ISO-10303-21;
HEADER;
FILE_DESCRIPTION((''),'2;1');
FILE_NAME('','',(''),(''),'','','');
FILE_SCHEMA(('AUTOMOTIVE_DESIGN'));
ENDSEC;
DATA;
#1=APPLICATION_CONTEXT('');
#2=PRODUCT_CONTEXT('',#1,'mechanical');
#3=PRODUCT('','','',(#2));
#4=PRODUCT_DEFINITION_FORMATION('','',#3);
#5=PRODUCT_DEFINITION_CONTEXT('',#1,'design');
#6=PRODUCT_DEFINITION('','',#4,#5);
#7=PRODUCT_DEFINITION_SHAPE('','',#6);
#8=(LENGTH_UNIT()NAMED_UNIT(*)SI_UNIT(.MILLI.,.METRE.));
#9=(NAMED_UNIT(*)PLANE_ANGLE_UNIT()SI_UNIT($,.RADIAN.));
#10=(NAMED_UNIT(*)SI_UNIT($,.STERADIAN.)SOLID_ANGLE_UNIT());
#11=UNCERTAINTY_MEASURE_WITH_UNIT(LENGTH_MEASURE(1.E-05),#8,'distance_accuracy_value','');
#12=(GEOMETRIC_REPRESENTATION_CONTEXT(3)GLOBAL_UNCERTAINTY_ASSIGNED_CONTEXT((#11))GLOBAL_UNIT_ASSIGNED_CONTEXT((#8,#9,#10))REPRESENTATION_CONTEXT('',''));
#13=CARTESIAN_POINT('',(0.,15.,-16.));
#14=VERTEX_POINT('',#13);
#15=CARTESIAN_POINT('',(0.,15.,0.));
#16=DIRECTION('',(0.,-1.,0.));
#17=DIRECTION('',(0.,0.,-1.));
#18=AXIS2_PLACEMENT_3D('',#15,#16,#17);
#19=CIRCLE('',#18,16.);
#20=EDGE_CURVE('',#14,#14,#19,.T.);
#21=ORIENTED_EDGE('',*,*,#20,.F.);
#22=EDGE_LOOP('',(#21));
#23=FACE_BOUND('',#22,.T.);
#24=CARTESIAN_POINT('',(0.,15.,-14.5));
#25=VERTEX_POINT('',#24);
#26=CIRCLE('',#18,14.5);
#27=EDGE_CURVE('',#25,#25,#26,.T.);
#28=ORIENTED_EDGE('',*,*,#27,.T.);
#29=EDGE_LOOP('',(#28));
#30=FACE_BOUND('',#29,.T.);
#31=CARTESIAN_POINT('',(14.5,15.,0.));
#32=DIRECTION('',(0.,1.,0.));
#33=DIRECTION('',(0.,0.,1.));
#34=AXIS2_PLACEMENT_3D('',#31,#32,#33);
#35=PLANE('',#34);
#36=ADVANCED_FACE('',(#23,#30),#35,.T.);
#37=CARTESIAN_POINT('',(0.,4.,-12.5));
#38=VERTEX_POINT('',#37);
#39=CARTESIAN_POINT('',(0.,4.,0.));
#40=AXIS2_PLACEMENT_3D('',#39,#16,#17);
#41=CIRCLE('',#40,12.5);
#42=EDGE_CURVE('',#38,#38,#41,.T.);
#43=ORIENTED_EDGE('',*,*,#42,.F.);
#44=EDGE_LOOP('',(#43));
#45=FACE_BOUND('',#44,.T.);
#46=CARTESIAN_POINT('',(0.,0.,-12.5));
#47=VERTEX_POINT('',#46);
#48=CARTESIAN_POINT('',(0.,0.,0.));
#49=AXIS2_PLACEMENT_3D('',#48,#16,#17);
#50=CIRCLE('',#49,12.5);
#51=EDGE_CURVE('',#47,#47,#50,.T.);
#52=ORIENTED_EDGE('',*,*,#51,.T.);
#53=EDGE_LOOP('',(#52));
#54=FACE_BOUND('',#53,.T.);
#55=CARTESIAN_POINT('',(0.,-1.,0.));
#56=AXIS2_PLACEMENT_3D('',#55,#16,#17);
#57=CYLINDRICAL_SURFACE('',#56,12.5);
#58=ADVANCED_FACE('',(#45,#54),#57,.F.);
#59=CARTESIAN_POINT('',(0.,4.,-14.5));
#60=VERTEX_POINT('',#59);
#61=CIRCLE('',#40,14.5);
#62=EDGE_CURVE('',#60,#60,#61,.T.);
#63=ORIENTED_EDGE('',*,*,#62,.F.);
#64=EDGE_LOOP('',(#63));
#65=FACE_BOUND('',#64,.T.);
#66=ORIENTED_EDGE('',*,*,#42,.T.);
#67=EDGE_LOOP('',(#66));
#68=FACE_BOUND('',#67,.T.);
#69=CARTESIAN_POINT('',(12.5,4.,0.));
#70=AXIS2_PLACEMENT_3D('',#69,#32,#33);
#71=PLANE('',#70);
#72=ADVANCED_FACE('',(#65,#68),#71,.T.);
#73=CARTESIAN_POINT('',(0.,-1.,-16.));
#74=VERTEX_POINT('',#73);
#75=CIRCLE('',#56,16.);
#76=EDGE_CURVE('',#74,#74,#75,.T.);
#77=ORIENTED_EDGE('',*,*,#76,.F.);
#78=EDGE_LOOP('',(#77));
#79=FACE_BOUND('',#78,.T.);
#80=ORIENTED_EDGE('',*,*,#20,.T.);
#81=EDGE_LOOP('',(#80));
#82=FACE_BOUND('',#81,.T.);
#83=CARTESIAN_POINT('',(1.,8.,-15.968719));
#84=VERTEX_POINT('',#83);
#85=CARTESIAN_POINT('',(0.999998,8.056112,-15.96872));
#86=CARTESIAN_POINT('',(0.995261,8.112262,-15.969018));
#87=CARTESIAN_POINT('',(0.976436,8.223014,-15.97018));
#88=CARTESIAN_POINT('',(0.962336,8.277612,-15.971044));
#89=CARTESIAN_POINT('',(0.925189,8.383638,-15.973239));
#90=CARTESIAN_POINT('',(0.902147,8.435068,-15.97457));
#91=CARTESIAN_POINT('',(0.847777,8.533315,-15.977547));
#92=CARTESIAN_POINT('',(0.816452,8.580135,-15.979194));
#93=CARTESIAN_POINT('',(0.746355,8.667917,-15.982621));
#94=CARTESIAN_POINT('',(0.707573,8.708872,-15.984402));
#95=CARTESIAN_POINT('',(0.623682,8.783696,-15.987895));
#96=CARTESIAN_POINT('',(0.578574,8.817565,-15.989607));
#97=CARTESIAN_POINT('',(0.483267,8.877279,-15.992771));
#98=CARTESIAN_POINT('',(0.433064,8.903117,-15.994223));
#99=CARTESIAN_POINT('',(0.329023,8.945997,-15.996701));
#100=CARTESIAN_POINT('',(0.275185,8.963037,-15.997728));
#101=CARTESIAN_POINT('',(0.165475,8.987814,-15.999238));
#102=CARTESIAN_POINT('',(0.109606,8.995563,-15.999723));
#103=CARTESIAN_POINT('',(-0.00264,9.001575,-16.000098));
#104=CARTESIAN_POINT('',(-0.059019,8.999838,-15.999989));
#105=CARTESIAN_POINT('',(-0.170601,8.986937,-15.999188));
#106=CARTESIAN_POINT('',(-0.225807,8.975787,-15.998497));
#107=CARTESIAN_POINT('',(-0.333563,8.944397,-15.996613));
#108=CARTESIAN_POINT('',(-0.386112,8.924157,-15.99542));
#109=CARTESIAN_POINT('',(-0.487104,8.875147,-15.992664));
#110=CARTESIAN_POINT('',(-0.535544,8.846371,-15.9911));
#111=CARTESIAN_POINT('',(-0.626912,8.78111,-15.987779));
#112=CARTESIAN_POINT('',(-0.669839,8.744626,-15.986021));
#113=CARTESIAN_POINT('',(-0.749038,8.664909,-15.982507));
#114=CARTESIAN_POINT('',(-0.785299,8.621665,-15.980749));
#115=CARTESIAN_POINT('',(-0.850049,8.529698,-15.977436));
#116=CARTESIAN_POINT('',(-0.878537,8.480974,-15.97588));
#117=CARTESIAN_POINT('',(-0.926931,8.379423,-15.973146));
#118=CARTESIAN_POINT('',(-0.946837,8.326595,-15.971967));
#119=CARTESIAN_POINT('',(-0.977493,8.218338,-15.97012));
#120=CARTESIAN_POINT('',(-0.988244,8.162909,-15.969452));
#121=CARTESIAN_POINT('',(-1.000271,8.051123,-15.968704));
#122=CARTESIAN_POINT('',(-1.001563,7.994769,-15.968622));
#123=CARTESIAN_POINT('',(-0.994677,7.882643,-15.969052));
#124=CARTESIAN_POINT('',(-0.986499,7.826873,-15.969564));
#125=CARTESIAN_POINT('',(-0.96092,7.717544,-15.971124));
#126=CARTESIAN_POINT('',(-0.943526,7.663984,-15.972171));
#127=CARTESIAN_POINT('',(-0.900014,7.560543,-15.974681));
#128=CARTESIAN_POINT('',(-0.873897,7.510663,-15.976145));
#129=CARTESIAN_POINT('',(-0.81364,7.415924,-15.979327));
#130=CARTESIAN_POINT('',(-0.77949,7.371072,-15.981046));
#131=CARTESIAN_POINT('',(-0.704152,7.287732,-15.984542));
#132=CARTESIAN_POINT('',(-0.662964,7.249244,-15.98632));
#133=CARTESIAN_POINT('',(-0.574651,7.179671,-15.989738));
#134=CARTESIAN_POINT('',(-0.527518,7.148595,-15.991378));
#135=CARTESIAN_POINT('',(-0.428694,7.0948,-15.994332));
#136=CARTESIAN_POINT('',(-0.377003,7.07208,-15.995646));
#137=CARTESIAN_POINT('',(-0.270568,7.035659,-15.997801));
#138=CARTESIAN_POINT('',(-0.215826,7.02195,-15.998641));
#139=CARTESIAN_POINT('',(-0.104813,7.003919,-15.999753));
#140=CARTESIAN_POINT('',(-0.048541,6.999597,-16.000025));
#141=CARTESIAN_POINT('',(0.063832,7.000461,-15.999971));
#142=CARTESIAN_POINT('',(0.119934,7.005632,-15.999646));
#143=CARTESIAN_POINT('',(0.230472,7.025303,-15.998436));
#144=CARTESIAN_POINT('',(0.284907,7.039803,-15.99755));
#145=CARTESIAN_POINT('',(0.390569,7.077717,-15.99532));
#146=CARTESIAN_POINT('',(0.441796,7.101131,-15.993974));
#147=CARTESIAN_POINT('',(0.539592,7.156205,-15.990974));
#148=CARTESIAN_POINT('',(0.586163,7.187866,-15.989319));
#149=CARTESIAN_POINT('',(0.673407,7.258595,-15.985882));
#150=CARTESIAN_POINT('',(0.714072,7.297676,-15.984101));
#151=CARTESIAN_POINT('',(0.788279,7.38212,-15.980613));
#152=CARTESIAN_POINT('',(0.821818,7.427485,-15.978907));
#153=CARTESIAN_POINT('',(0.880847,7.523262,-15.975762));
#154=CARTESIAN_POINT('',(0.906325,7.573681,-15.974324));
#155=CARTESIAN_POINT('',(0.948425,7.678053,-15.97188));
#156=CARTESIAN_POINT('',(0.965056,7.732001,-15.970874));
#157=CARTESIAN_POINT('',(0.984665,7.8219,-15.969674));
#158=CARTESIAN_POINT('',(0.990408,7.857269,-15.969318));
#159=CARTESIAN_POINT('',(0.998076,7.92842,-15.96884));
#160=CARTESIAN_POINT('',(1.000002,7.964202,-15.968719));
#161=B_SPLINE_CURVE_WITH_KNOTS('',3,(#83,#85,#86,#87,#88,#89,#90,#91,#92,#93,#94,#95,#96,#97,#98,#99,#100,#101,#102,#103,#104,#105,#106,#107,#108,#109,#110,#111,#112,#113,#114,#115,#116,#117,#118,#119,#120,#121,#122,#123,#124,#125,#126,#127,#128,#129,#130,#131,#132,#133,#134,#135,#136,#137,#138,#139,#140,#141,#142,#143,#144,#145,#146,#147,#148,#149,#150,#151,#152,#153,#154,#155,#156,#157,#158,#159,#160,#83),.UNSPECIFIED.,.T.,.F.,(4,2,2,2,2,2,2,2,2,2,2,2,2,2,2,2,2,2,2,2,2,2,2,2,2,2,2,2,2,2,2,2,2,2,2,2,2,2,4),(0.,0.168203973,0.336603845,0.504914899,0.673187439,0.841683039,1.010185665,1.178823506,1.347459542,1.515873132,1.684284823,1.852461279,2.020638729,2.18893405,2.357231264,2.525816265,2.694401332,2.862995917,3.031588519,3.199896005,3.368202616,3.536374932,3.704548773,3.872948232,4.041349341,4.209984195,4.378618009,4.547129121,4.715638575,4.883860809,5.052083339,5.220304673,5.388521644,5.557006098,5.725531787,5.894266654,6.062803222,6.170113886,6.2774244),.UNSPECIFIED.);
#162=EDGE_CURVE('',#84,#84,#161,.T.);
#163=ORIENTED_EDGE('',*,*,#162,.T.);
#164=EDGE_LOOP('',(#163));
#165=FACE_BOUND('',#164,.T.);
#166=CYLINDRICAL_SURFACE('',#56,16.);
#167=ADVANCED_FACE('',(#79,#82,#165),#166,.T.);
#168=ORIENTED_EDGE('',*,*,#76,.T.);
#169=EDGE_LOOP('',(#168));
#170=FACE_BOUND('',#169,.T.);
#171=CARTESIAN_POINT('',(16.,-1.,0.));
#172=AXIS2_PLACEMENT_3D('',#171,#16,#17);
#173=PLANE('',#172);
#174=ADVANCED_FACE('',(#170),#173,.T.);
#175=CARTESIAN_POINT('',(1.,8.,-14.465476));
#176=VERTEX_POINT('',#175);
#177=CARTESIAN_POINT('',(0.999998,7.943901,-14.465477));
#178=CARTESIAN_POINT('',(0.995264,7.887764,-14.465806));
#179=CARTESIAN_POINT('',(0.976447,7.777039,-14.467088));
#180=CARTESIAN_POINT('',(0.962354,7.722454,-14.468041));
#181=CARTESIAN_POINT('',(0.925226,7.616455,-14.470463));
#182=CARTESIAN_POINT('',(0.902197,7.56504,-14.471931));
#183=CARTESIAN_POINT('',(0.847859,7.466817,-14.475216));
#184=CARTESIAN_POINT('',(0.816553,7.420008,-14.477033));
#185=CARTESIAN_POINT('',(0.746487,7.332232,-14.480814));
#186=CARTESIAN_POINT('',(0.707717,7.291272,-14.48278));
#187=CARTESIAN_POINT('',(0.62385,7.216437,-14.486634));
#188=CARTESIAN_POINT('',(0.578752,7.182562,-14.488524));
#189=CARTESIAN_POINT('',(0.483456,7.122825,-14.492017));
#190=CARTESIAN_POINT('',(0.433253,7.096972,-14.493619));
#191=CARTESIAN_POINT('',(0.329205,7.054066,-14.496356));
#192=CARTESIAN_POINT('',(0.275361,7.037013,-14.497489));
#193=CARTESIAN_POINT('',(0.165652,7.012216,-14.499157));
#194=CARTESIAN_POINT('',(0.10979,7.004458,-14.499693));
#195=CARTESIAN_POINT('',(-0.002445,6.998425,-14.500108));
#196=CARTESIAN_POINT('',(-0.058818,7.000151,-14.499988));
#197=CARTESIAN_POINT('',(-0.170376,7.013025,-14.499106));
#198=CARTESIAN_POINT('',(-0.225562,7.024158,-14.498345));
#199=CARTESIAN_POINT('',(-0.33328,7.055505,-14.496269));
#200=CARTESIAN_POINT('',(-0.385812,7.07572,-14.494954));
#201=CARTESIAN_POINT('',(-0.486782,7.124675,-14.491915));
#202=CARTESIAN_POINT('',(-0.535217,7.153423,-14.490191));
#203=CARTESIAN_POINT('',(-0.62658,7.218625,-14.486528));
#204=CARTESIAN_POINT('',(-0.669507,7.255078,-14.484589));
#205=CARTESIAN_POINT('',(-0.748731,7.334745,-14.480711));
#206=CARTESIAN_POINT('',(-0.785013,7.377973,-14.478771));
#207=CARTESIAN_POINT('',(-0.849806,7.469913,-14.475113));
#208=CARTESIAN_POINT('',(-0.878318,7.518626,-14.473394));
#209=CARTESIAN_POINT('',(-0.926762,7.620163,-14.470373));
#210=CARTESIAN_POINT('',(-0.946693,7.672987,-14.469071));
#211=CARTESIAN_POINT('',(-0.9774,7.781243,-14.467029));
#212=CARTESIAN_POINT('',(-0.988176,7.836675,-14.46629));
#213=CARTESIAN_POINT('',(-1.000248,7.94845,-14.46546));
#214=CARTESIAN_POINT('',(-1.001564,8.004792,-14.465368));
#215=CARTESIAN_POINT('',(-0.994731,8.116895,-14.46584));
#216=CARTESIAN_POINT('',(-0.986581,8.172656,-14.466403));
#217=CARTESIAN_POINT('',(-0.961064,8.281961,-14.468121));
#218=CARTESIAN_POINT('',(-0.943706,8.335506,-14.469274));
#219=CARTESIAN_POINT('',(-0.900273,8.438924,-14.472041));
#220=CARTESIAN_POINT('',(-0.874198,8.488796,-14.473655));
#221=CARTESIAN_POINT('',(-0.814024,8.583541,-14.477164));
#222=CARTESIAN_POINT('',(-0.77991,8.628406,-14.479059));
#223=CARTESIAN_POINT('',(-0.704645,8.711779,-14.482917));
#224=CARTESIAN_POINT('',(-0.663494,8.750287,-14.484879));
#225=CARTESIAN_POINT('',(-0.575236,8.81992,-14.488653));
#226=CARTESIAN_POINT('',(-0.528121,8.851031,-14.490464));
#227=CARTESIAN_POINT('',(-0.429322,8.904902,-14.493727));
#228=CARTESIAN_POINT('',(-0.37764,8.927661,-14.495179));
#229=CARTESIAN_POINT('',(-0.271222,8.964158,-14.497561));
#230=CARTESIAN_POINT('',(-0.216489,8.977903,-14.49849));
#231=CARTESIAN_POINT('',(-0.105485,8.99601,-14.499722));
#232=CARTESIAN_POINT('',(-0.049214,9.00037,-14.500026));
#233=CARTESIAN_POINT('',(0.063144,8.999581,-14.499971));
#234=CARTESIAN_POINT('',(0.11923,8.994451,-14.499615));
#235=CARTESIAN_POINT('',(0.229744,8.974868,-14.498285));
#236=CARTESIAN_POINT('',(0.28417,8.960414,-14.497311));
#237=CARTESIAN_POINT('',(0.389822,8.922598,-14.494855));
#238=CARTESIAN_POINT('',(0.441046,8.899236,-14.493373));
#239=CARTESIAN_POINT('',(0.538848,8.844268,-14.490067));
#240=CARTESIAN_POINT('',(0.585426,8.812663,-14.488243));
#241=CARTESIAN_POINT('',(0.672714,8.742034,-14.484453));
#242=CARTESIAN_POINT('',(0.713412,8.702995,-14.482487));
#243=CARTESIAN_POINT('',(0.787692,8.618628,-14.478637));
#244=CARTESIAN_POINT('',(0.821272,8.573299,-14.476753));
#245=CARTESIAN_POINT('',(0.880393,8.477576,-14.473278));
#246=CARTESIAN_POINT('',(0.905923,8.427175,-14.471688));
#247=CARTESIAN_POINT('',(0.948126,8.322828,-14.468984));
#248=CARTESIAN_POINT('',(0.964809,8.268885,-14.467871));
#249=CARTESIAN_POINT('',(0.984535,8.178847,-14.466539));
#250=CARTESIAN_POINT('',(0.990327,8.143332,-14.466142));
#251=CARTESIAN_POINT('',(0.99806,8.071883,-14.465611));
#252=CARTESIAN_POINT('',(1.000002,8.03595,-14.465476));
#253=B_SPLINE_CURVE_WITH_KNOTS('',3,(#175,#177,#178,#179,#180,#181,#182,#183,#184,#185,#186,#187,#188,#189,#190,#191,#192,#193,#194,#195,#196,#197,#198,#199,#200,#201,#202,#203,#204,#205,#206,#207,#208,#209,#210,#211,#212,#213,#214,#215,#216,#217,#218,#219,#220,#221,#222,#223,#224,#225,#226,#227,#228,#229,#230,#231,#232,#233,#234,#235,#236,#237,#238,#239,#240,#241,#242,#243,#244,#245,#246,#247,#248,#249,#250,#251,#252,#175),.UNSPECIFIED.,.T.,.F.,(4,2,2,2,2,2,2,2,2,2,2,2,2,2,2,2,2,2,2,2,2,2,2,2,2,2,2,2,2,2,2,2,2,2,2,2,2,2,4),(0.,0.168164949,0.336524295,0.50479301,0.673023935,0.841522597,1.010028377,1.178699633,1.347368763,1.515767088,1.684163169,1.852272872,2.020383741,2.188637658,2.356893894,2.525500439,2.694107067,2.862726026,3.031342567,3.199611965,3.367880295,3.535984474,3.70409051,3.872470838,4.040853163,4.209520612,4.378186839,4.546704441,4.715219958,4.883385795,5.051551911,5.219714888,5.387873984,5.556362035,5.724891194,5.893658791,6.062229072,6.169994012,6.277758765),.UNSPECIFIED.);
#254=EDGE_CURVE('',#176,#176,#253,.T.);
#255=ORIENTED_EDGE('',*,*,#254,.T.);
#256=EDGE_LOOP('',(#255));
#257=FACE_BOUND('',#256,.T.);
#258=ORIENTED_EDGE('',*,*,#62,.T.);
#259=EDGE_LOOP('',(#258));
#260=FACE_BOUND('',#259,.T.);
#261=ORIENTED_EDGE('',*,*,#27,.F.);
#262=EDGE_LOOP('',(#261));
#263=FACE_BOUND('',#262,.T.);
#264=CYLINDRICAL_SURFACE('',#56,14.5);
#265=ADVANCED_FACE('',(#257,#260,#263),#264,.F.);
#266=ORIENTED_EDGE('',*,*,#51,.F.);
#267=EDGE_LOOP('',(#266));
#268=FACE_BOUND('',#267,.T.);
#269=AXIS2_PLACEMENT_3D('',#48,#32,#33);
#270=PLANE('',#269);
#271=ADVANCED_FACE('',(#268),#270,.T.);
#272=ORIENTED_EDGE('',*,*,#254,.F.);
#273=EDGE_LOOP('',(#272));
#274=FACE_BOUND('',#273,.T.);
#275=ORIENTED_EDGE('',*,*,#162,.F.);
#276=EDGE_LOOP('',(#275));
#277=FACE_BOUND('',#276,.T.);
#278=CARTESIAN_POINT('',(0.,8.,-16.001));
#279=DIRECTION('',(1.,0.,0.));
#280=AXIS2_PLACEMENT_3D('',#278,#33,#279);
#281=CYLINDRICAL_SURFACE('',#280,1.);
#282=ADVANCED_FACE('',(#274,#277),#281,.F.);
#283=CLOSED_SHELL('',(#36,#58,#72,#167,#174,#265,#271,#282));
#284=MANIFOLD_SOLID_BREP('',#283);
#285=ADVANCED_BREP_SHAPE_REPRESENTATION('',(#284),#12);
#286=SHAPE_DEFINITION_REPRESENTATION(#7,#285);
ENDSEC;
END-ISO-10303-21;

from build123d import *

# Parameters (mm, degrees)
CUT_EXTRUDE_1_REACH = 18
SKETCH_2_R          = 1


with BuildPart() as part:
    # Эскиз1 → Повернуть1 (revolve)
    with BuildSketch(Plane.XY):
        Polygon((0, 0), (12.5, 0), (12.5, 4), (14.5, 4), (14.5, 15), (16, 15), (16, -1), (0, -1), align=None)
    revolve(axis=Axis((0, -1, 0), (0, 1, 0)))

    # Эскиз2 → Вырез-Вытянуть1 (cut, up to next)
    with BuildSketch(Plane.XY, mode=Mode.PRIVATE) as cut_extrude_1_sk1:
        with Locations((0, 8)):
            Circle(SKETCH_2_R)
    cut_extrude_1_tool1 = extrude(cut_extrude_1_sk1.sketch, amount=-CUT_EXTRUDE_1_REACH, mode=Mode.PRIVATE) & part.part
    add(cut_extrude_1_tool1.solids().sort_by_distance((0, 8, 0))[0], mode=Mode.SUBTRACT)


solid = part.part
